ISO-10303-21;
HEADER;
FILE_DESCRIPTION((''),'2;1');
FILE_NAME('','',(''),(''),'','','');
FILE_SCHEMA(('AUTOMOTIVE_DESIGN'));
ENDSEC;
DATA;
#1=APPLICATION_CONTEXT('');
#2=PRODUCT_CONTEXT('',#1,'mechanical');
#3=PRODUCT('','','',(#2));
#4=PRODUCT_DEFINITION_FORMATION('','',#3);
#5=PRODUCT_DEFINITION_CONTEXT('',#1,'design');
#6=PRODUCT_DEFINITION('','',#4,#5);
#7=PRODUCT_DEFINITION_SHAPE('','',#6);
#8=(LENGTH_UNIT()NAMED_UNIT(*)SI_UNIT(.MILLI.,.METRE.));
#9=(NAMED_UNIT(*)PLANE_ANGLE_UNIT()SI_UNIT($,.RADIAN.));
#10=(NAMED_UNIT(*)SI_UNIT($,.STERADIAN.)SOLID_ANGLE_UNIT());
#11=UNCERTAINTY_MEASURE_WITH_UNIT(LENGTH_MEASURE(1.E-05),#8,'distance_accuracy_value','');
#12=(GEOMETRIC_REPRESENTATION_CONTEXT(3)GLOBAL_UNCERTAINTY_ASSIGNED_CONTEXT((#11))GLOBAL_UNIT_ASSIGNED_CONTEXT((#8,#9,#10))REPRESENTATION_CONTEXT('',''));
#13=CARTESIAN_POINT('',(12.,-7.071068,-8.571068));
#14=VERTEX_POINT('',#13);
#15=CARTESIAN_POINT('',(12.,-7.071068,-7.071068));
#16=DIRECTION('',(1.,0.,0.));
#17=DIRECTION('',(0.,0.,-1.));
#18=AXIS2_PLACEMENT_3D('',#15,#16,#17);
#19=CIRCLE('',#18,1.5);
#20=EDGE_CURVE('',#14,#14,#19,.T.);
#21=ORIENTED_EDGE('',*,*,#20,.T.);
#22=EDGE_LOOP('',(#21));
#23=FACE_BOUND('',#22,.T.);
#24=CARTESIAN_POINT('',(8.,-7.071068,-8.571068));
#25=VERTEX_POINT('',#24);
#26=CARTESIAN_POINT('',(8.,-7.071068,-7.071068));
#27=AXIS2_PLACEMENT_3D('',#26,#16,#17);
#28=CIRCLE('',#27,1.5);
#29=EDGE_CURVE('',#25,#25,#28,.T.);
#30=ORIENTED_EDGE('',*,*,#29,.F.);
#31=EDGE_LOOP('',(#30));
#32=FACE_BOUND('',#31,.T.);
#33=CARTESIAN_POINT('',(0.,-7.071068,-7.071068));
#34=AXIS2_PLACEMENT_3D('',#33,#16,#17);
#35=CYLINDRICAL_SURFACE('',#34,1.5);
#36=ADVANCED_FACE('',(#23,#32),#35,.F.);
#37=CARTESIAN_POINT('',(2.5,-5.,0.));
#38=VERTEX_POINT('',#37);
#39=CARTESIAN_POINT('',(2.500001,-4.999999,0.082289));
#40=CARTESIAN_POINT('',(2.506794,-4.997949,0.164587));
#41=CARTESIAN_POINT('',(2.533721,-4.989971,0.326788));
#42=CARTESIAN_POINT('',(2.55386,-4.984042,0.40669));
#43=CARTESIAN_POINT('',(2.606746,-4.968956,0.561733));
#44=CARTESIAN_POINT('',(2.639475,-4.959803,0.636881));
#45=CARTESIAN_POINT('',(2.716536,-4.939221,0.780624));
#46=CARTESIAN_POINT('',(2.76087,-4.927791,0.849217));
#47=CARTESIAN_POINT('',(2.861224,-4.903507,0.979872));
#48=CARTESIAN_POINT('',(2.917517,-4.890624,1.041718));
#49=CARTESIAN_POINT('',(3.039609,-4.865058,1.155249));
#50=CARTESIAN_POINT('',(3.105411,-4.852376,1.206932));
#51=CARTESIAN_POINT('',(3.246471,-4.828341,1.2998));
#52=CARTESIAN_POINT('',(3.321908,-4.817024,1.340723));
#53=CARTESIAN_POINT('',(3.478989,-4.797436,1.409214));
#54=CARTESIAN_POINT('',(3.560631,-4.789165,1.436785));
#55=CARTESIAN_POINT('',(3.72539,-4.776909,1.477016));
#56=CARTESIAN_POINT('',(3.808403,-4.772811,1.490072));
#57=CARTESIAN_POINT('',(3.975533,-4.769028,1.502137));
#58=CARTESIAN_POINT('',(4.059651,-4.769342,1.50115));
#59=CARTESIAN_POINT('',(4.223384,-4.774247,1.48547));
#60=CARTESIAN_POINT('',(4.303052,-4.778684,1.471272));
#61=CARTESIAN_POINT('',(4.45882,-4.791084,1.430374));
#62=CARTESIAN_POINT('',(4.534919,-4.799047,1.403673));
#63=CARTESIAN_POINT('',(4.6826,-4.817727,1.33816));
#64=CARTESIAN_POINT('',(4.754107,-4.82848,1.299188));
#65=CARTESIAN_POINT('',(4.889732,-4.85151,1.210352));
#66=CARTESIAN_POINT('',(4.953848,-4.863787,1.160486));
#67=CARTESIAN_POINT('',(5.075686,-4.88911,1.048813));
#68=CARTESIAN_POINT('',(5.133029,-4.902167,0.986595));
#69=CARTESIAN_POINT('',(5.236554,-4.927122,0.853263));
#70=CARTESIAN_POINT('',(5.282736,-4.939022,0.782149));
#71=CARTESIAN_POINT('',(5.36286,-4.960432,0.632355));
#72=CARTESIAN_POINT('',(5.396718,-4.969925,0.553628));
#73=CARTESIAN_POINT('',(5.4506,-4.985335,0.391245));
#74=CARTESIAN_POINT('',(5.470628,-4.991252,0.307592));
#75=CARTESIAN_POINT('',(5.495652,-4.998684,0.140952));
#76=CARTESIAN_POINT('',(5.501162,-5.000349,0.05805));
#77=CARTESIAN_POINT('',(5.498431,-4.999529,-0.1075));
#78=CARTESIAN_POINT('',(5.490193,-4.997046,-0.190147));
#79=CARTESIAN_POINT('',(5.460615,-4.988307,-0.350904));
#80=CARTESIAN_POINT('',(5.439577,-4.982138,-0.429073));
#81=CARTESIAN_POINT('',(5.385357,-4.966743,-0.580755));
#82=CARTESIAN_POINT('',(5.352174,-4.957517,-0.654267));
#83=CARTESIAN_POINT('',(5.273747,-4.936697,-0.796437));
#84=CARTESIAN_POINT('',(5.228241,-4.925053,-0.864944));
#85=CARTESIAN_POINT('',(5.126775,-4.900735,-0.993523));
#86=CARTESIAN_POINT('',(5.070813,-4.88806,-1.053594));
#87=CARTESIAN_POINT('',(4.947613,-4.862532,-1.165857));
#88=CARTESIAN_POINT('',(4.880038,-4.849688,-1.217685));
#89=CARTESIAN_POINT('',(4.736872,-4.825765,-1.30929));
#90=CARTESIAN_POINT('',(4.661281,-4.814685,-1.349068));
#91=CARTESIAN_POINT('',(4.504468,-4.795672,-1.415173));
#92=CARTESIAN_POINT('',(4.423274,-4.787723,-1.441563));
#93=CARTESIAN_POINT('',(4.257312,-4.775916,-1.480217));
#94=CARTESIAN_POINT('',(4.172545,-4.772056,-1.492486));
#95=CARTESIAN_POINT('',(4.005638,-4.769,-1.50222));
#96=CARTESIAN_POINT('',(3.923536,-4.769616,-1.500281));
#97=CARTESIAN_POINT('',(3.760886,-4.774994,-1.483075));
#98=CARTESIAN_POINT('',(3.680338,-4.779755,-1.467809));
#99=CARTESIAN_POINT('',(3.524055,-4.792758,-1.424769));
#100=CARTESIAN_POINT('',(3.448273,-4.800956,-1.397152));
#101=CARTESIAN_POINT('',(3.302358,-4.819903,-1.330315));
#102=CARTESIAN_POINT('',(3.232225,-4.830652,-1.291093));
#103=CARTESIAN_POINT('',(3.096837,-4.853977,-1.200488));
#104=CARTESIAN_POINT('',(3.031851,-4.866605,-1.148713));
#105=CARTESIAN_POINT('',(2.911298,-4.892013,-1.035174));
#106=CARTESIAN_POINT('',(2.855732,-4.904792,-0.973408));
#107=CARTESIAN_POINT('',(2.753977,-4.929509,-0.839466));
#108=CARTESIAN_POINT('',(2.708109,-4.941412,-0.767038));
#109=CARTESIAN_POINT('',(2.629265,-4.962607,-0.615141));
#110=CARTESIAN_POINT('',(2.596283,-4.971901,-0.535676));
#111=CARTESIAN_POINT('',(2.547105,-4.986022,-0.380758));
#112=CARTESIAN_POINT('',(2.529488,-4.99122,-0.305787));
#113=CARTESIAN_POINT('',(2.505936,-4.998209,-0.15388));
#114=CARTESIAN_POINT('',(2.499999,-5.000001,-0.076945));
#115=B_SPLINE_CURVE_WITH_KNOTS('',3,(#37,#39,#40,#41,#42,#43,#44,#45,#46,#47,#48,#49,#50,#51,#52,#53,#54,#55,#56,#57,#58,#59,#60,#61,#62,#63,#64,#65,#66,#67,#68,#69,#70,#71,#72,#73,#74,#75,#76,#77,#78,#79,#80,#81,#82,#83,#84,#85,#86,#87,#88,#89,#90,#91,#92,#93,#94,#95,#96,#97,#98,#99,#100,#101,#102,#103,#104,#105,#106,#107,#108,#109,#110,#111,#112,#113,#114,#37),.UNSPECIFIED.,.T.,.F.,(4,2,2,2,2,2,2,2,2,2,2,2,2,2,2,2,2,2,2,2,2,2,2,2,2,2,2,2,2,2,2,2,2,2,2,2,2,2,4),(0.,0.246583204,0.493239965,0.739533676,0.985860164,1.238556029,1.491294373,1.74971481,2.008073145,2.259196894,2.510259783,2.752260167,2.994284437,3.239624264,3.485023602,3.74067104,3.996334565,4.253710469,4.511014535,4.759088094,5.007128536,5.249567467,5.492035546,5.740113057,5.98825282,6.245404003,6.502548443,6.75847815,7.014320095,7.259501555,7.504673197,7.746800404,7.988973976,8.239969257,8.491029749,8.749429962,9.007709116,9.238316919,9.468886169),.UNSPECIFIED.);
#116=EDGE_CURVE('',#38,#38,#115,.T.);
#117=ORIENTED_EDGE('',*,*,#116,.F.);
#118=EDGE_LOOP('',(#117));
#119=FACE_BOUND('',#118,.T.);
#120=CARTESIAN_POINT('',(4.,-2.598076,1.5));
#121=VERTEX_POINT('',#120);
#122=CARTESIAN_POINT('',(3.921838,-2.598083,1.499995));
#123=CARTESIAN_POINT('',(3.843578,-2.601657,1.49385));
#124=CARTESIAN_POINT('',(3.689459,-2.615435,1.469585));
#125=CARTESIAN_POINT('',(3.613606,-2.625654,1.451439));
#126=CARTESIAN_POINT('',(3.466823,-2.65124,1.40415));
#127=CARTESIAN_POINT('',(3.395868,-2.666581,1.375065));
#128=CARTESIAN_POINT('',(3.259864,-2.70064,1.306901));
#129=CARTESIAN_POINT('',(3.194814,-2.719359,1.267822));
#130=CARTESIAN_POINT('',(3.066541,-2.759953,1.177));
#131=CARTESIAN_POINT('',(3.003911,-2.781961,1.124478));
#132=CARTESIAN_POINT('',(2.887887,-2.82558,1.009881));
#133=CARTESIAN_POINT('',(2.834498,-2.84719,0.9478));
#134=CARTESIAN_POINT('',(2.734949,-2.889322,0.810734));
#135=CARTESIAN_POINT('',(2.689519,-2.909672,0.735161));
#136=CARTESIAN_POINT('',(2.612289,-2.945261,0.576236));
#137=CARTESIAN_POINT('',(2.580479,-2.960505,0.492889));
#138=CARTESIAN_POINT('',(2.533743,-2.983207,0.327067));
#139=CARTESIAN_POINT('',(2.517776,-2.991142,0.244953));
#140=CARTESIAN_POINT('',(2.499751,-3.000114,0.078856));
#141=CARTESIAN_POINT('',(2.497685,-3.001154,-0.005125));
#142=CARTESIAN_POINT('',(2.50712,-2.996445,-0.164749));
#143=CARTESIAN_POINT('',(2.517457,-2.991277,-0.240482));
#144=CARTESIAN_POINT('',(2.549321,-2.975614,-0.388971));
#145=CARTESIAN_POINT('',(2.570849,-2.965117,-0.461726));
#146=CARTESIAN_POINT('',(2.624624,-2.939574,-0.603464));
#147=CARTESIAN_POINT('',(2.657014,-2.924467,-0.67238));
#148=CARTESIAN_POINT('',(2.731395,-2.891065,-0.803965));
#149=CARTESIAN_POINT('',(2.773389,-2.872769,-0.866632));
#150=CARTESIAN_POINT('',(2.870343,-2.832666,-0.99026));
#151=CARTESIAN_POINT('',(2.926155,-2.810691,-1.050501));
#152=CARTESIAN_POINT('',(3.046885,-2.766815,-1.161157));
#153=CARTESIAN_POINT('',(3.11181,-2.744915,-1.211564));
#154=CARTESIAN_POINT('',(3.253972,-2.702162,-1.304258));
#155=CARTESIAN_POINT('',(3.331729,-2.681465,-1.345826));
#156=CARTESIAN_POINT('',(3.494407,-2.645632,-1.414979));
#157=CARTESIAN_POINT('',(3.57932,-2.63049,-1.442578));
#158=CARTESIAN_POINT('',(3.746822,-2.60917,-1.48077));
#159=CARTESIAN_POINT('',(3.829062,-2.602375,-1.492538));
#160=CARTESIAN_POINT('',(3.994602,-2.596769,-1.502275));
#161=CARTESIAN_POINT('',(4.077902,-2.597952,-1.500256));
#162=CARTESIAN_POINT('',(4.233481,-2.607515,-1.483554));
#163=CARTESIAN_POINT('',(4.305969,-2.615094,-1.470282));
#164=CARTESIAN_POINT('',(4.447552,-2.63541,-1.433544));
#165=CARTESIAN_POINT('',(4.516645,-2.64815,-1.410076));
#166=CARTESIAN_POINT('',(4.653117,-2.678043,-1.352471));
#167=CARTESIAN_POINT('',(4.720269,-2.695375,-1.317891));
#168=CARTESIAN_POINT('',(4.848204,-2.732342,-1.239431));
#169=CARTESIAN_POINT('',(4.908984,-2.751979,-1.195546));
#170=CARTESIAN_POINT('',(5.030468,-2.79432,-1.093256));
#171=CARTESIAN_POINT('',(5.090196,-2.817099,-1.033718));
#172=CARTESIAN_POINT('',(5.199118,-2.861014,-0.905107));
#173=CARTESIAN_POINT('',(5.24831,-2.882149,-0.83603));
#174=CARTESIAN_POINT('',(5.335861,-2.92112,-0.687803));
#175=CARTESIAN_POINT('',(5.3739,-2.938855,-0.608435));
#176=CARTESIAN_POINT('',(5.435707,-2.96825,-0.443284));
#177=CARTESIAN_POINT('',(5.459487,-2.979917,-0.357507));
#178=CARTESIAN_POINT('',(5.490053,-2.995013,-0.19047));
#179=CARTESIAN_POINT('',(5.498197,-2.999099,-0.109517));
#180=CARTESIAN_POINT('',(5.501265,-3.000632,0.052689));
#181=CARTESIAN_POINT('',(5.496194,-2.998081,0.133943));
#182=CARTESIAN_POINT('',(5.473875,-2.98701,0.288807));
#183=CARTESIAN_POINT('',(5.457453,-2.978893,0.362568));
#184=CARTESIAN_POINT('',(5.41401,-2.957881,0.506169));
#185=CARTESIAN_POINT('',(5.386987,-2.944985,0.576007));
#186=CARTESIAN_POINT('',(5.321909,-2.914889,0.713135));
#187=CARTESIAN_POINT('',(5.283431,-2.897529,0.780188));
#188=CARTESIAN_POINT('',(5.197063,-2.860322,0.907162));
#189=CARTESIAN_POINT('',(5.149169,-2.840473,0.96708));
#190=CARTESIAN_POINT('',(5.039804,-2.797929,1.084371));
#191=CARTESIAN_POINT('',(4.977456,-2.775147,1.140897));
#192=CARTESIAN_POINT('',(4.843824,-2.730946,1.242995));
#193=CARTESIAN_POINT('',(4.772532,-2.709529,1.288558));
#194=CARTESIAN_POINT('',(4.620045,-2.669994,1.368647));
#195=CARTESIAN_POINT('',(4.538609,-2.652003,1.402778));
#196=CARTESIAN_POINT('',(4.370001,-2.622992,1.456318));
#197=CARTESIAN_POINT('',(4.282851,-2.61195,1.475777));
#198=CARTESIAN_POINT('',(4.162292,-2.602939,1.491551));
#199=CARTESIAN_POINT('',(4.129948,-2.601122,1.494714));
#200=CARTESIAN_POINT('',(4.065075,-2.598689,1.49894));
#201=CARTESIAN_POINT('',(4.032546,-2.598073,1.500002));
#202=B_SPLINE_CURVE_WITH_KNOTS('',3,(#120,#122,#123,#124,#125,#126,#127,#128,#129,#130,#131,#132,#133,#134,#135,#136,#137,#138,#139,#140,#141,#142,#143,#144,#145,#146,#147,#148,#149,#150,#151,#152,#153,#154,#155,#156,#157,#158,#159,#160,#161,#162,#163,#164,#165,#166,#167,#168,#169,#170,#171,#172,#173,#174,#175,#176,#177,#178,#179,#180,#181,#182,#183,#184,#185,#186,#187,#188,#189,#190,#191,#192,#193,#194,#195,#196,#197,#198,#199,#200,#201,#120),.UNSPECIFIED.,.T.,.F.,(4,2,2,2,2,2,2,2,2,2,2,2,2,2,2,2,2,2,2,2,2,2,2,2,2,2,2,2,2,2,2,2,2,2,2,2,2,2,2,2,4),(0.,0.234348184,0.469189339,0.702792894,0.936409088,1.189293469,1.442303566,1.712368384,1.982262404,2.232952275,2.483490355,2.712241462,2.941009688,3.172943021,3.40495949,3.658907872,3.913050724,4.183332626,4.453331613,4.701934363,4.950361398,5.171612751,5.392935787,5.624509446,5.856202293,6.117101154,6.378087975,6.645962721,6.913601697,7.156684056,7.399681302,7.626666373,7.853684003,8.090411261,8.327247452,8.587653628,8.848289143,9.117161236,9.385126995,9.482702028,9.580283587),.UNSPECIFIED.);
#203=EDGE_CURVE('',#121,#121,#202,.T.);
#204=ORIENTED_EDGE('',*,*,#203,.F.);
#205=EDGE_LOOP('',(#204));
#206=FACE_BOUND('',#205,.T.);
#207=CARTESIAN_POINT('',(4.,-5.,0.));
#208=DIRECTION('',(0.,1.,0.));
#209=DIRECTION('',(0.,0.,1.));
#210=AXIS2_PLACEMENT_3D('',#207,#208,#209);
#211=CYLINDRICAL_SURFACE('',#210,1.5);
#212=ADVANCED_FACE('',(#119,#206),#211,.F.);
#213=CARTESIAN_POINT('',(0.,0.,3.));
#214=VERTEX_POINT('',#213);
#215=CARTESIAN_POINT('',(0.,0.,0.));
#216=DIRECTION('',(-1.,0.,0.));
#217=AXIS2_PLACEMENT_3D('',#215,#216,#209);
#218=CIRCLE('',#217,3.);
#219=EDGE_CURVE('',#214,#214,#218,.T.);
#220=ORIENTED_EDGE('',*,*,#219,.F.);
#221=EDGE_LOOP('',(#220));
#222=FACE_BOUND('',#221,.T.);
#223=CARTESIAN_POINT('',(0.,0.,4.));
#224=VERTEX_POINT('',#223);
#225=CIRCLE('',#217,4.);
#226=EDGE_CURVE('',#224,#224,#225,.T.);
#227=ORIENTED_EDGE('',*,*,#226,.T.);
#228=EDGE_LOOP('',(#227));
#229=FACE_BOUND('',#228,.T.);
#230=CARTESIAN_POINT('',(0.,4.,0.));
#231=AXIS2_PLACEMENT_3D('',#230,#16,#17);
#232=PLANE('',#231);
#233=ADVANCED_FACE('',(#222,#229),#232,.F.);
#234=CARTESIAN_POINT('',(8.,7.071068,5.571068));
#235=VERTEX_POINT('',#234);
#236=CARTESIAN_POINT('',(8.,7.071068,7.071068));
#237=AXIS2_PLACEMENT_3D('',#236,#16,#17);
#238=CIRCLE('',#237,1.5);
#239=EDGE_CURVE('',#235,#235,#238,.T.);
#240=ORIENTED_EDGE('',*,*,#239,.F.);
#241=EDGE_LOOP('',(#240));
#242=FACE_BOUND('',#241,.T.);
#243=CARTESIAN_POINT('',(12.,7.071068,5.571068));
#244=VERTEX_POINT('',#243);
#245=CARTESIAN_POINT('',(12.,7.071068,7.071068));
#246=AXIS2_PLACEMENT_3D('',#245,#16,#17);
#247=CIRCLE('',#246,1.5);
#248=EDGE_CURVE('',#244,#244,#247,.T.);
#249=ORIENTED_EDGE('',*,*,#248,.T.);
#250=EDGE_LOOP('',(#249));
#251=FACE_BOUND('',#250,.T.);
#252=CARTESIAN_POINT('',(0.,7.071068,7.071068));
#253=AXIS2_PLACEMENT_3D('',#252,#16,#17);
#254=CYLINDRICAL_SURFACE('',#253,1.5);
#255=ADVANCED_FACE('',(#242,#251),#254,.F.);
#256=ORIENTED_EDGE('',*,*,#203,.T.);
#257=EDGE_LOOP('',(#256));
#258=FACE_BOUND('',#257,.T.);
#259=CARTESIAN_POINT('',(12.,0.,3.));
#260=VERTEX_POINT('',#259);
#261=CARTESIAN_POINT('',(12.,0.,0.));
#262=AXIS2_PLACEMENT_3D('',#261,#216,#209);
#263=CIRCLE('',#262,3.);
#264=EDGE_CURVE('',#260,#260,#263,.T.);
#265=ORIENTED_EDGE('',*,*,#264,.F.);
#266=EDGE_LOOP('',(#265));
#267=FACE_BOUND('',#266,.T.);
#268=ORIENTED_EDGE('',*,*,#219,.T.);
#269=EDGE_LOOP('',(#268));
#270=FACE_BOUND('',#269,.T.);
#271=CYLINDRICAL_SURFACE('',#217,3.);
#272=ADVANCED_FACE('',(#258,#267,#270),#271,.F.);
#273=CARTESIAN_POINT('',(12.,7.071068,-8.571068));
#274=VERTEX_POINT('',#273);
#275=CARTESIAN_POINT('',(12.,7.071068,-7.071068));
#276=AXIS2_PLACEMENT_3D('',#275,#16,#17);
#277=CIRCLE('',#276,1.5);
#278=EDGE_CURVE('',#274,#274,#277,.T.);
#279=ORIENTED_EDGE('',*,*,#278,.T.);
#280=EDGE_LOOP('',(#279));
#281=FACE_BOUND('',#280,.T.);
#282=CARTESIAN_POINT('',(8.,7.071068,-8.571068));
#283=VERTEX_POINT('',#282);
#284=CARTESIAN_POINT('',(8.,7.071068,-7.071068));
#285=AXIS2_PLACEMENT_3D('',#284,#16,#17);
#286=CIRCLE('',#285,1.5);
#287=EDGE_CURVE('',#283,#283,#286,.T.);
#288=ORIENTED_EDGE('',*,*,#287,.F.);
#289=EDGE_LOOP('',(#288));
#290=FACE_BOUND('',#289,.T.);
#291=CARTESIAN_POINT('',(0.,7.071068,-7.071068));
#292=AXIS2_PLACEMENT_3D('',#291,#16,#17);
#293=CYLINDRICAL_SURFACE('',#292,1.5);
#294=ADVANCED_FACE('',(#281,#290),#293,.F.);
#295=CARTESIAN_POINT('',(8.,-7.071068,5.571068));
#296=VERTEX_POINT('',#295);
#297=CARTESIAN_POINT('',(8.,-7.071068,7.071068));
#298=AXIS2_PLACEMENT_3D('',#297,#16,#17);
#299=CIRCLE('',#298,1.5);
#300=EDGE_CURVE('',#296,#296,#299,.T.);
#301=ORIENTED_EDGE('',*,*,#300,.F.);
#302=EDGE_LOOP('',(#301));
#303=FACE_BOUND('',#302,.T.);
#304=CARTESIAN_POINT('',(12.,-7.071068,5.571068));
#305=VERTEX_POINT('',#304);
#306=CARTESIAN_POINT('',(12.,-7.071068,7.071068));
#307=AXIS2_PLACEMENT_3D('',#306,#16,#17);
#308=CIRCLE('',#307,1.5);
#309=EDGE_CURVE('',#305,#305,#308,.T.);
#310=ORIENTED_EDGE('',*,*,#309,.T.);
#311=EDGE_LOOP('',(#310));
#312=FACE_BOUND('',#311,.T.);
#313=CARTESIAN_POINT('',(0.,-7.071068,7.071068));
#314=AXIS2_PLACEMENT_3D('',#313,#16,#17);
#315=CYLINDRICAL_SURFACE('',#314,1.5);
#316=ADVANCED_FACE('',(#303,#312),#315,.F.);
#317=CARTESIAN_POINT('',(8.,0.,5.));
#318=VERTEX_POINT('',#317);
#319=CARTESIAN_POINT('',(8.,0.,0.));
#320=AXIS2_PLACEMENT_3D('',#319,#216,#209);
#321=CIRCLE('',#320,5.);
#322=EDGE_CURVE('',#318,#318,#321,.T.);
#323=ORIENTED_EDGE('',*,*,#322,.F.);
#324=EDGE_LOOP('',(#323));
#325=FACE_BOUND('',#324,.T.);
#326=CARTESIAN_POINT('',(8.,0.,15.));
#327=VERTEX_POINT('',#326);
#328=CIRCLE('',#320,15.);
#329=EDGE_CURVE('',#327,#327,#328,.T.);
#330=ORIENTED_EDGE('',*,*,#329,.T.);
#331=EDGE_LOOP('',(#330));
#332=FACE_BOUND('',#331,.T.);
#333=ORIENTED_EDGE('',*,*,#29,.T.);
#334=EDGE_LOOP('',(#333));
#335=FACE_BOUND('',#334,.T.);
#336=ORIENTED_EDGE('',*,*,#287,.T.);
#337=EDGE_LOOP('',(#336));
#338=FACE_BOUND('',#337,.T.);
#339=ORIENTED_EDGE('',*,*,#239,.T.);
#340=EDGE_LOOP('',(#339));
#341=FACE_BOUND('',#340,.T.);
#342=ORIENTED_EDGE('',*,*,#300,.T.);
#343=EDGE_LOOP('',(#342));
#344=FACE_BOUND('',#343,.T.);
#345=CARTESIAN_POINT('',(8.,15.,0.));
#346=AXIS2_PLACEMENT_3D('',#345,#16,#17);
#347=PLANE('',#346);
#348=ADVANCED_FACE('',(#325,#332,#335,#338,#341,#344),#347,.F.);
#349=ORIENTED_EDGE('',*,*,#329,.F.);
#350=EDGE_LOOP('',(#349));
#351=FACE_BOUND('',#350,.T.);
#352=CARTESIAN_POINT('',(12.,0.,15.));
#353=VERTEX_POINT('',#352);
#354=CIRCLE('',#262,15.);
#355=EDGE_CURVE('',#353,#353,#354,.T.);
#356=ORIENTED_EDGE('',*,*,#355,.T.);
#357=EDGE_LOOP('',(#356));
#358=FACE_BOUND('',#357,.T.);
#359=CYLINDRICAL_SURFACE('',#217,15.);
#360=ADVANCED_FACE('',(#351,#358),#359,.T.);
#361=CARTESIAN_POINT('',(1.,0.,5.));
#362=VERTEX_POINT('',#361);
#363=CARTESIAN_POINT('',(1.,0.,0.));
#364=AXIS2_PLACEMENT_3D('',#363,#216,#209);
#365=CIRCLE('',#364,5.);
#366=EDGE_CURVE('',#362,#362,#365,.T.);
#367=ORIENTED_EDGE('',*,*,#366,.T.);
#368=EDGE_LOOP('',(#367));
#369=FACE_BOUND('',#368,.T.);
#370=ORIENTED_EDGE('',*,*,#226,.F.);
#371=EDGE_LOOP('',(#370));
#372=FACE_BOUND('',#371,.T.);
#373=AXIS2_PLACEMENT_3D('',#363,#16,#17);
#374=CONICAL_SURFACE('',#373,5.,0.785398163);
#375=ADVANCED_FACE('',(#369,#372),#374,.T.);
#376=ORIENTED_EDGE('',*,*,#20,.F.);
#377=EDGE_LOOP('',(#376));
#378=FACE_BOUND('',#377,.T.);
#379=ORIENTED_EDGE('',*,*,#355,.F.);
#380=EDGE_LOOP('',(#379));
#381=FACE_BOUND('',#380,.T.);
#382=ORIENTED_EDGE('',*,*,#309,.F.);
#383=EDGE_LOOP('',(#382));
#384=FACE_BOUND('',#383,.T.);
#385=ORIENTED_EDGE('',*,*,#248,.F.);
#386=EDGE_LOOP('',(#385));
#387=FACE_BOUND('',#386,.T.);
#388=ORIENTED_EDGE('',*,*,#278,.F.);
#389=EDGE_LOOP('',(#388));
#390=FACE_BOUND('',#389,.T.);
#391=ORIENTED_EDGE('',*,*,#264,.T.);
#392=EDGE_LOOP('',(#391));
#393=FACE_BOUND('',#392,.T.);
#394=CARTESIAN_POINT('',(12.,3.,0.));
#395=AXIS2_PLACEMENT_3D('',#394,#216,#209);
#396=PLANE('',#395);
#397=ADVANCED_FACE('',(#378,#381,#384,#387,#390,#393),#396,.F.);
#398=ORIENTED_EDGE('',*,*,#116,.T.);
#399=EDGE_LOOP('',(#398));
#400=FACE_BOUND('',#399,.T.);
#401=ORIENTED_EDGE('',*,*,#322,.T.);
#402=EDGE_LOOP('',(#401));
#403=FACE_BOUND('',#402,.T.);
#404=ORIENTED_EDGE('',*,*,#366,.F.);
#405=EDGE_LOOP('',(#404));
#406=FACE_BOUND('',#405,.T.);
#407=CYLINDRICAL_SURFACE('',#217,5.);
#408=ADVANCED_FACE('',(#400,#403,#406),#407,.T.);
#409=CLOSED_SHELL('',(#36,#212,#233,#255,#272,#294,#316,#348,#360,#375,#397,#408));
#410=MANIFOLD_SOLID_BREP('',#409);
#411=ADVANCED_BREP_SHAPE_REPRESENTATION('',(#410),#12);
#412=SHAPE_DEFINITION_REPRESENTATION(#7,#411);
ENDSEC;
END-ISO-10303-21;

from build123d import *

# Parameters (mm, degrees)
SKETCH2_R          = 1.5
CUT_EXTRUDE1_DEPTH = 5
SKETCH3_R          = 1.5
CUT_EXTRUDE2_DEPTH = 25.372115263


with BuildPart() as part:
    # Sketch1 → Revolve1 (revolve)
    with BuildSketch(Plane.XY, mode=Mode.PRIVATE) as revolve1_sk:
        Polygon((12, 3), (12, 15), (8, 15), (8, 5), (1, 5), (0, 4), (0, 3), align=None)
    revolve(revolve1_sk.sketch.rotate(Axis((0, 0, 0), (1, 0, 0)), 90), axis=Axis((0, 0, 0), (1, 0, 0)))

    # Sketch2 → Cut-Extrude1 (cut)
    with BuildSketch(Plane(origin=(0, 0, 0), x_dir=(1, 0, 0), z_dir=(0, 1, 0))):
        with Locations(Location((4, 0, 0), (0, 0, 270))):
            Circle(SKETCH2_R)
    extrude(amount=-CUT_EXTRUDE1_DEPTH, mode=Mode.SUBTRACT)

    # Sketch3 → Cut-Extrude2 (cut, through all)
    with BuildSketch(Plane(origin=(12, 0, 0), x_dir=(0, 0, -1), z_dir=(1, 0, 0))):
        with Locations((-7.071067812, 7.071067812)):
            Circle(SKETCH3_R)
        with Locations((7.071067812, 7.071067812)):
            Circle(SKETCH3_R)
        with Locations((7.071067812, -7.071067812)):
            Circle(SKETCH3_R)
        with Locations((-7.071067812, -7.071067812)):
            Circle(SKETCH3_R)
    extrude(amount=-CUT_EXTRUDE2_DEPTH, mode=Mode.SUBTRACT)


solid = part.part
